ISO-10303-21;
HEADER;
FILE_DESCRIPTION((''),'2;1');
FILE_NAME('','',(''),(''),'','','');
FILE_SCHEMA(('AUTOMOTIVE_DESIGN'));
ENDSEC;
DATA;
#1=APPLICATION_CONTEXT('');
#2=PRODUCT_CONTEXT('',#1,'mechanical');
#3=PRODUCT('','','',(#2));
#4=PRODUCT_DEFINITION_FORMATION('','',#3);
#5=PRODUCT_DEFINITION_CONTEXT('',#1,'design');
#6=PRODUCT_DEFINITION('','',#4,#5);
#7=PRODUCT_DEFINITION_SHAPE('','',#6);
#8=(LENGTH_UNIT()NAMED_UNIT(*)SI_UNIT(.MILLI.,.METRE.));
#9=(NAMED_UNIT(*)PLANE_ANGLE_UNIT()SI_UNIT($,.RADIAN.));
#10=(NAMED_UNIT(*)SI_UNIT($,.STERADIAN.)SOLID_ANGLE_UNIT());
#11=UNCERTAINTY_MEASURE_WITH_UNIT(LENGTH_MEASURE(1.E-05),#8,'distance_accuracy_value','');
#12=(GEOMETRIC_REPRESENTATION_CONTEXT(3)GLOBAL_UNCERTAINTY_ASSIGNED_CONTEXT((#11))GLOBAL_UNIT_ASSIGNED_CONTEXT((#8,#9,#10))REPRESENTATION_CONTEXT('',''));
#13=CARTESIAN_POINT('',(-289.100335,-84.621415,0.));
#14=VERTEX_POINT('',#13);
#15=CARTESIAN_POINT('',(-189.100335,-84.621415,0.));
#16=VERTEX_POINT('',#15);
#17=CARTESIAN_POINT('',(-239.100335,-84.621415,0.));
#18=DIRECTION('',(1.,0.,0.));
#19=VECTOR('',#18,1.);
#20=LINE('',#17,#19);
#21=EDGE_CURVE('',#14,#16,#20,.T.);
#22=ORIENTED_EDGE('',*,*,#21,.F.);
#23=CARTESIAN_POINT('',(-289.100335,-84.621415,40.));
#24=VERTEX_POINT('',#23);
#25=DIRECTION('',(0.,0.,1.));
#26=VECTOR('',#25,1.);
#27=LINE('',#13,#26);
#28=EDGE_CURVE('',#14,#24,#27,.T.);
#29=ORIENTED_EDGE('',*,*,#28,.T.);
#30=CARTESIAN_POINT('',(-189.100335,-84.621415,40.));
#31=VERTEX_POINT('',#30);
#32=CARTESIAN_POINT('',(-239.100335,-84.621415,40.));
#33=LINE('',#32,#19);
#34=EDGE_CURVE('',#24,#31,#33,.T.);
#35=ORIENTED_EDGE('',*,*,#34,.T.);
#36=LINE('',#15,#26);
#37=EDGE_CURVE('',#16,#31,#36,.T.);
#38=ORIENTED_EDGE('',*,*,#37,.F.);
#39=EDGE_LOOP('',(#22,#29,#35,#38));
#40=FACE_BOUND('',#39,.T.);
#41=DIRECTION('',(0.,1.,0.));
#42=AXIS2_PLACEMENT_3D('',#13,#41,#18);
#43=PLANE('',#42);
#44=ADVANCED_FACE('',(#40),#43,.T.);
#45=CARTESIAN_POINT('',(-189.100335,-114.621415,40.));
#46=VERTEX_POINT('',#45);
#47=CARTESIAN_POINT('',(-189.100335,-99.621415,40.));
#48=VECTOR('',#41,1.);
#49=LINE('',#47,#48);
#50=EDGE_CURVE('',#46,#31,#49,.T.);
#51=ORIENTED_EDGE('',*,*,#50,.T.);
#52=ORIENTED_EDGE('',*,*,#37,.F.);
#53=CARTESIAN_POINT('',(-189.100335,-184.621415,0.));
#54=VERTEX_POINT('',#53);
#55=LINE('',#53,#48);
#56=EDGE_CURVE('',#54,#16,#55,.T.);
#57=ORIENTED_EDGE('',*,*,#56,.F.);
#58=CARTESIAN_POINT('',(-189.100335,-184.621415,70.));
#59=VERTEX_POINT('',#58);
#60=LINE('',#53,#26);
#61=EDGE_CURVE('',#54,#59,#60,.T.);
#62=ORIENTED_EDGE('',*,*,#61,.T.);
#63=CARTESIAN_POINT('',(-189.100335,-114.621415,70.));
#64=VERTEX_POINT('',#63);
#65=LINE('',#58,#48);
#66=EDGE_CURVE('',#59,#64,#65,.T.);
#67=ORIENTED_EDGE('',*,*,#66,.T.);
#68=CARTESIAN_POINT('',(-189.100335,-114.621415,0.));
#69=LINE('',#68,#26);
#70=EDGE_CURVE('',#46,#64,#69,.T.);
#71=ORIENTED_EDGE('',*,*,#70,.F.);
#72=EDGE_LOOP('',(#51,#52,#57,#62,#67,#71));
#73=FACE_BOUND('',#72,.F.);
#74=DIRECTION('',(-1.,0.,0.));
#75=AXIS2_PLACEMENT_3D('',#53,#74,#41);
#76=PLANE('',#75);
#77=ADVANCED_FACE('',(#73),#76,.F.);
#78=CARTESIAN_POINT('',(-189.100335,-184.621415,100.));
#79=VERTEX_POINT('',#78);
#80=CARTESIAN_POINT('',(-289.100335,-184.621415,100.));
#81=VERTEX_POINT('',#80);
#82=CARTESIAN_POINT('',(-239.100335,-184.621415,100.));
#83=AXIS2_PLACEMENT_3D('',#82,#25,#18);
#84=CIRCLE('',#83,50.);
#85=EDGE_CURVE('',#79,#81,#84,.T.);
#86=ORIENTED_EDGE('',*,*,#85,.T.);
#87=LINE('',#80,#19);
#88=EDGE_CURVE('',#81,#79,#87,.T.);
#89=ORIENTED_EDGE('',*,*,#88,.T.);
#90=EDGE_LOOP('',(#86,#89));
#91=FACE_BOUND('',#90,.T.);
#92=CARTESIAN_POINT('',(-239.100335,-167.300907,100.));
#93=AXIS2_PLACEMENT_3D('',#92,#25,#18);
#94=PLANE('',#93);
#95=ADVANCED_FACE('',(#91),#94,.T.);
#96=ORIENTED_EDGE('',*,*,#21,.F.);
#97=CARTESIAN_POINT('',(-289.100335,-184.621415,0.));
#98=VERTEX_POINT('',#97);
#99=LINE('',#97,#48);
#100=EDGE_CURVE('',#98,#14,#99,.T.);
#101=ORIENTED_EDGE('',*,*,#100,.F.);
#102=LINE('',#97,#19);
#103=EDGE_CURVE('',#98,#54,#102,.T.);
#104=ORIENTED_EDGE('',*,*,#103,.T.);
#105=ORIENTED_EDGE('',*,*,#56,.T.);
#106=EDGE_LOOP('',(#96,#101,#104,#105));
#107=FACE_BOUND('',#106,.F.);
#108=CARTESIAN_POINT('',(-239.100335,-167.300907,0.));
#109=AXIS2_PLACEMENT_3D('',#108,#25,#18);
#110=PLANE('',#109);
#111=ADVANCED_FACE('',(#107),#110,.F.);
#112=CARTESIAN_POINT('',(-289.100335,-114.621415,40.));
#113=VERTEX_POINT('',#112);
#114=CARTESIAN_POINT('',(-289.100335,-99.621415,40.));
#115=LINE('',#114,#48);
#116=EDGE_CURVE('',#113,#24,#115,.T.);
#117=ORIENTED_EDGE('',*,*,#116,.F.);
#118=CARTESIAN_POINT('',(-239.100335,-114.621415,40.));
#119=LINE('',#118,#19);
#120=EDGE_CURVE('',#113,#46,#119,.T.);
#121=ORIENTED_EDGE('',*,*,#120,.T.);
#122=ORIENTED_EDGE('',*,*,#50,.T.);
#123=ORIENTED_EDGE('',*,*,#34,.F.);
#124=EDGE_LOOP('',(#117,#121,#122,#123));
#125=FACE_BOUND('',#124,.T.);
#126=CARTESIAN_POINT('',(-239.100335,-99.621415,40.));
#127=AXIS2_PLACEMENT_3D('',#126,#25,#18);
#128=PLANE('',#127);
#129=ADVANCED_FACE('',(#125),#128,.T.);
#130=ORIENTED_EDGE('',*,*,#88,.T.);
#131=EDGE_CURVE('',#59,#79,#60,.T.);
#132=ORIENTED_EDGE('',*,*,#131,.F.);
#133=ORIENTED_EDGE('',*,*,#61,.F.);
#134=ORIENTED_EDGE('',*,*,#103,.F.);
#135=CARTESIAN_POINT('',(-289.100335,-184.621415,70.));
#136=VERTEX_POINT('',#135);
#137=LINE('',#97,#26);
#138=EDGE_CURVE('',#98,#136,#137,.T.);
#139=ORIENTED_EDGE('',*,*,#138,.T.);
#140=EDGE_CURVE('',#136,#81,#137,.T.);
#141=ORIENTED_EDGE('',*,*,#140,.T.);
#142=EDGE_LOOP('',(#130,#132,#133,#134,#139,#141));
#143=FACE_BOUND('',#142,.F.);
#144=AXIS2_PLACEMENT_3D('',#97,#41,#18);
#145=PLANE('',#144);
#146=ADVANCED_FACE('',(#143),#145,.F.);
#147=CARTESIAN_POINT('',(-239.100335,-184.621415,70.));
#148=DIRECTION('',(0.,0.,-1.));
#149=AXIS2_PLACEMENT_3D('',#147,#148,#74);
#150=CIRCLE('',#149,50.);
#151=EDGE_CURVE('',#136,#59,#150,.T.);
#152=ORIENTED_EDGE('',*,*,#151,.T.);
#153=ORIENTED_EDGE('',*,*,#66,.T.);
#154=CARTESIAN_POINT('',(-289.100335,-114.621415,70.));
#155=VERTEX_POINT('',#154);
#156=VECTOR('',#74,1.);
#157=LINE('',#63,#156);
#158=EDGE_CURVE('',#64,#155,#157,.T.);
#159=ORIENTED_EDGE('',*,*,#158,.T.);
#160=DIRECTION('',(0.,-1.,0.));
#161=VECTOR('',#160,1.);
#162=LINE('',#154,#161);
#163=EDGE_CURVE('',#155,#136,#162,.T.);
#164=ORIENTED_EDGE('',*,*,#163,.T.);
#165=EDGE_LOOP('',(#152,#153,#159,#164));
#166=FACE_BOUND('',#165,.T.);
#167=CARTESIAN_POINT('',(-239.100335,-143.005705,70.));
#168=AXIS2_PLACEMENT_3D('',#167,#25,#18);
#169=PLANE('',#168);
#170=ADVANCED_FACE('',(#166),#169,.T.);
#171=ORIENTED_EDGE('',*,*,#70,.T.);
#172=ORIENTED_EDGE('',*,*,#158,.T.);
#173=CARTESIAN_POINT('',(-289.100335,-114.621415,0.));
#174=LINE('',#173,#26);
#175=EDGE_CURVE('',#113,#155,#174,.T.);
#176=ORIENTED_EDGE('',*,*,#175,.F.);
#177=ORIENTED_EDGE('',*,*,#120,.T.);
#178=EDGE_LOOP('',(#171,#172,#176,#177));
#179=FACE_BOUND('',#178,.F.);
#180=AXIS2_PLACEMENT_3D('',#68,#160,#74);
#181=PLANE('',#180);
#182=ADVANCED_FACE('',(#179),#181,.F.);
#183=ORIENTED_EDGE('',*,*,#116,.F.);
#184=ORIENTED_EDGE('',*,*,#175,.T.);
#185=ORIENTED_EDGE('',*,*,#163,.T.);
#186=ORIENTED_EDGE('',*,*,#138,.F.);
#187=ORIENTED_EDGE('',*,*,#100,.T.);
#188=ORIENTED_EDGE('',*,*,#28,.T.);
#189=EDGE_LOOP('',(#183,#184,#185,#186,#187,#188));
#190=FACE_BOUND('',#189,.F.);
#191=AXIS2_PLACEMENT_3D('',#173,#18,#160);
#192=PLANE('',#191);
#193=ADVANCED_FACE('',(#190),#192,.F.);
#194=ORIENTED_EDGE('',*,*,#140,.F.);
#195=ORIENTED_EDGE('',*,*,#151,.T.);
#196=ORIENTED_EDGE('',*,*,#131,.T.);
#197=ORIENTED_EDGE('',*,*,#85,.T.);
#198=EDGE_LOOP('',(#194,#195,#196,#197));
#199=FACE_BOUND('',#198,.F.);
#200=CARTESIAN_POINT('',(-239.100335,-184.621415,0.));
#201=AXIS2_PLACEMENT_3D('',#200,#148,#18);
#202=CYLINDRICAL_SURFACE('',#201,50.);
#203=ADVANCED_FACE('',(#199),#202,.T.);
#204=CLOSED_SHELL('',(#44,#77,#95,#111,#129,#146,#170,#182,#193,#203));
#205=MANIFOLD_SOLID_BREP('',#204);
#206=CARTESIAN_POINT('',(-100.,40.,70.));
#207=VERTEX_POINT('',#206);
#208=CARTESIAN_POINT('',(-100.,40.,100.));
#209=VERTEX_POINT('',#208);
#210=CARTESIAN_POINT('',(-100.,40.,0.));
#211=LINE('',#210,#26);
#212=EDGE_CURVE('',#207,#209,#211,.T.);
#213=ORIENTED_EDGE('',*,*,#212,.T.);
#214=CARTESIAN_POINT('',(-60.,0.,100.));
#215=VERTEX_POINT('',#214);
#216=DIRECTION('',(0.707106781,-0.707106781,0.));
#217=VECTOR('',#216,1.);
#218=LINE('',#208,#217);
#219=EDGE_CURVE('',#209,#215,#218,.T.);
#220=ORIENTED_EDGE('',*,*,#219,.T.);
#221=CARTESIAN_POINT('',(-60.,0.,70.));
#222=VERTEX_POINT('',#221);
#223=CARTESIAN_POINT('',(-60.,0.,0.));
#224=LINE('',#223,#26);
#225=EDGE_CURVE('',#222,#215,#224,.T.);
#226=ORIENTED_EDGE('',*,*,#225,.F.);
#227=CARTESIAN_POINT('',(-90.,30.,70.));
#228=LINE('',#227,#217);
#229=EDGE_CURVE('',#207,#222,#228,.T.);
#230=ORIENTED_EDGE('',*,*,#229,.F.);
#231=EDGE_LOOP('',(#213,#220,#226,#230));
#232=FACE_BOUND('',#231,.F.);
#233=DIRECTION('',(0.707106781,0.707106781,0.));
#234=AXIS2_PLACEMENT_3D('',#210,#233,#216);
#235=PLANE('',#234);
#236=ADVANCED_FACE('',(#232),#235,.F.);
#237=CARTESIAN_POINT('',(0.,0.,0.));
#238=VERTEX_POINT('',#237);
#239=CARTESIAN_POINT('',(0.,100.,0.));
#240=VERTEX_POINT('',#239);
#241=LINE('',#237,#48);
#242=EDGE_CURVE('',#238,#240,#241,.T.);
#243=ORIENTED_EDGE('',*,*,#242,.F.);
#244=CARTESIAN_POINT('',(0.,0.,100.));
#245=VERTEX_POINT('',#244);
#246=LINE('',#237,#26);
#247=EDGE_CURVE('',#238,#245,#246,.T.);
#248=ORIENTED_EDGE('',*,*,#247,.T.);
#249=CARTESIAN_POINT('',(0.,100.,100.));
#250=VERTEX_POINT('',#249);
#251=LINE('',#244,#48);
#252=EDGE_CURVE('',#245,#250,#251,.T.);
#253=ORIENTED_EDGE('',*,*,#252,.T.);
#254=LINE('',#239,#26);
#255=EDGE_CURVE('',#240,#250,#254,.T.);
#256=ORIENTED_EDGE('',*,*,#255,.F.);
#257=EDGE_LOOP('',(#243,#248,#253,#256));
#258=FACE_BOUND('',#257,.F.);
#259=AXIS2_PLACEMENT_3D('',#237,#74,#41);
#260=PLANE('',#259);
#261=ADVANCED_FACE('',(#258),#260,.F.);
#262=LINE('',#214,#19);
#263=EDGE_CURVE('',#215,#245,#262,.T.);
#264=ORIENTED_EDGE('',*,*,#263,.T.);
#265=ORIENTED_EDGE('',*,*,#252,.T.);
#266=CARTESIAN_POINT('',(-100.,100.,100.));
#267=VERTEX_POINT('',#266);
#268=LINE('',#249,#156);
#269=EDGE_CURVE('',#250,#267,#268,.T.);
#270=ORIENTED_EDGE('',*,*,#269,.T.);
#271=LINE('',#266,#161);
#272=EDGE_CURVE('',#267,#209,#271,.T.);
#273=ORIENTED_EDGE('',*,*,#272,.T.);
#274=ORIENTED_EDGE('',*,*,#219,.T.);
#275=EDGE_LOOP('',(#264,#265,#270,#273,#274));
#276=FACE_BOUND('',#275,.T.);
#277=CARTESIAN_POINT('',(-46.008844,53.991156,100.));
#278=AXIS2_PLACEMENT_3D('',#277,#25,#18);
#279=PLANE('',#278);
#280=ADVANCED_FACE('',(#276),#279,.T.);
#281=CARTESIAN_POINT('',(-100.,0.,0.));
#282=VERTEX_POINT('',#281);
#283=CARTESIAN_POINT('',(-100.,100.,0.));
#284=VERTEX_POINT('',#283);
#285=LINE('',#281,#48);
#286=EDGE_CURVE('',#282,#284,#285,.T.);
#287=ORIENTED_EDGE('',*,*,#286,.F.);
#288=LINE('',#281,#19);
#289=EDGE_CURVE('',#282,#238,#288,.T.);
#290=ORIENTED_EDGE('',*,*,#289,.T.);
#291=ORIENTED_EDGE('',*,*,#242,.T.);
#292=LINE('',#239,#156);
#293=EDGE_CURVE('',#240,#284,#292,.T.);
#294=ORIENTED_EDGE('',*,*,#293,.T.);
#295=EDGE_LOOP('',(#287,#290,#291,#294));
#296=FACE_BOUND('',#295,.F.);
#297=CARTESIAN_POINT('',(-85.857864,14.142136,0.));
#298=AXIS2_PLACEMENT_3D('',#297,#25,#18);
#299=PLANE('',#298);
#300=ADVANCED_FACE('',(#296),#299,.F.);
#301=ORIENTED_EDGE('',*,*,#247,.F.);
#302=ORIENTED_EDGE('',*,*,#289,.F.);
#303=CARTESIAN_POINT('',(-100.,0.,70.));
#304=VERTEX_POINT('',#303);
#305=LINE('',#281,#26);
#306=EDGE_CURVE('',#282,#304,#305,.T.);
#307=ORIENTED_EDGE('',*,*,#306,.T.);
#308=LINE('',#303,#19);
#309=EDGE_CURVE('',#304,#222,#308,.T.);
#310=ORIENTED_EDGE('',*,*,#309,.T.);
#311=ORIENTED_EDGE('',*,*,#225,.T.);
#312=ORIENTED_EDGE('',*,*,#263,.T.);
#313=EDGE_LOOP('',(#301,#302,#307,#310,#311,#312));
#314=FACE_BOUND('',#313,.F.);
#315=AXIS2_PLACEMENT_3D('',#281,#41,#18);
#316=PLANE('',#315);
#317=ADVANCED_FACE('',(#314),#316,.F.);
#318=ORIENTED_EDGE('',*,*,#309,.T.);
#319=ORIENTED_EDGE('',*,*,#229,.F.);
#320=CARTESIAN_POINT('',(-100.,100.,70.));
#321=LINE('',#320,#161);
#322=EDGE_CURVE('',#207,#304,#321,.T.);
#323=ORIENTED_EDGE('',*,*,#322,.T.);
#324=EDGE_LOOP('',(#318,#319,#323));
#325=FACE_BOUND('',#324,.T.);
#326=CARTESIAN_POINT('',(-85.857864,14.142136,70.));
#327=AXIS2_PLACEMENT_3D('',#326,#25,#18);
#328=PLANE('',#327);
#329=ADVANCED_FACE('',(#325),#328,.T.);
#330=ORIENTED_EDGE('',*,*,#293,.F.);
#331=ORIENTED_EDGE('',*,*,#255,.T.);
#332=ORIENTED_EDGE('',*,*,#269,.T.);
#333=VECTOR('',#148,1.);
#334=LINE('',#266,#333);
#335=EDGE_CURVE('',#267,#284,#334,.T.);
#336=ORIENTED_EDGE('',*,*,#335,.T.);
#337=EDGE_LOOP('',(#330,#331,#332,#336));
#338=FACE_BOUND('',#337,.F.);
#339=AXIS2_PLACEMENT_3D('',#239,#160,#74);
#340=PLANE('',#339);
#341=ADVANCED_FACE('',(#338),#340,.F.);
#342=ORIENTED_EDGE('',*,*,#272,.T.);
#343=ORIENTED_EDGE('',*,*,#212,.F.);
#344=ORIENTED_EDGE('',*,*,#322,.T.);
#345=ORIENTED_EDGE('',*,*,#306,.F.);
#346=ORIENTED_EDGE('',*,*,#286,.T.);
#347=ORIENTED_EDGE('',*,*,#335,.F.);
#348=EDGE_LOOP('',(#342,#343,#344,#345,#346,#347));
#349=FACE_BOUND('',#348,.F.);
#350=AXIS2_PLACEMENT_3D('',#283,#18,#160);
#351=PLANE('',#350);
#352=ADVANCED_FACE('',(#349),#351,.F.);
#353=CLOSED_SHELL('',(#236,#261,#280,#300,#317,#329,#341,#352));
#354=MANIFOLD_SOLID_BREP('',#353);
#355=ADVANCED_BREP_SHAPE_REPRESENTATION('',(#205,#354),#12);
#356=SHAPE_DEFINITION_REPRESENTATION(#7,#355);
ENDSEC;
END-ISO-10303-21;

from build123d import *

# Parameters (mm, degrees)
F1_DEPTH = 100
F2_DEPTH = 70
F3_W     = 100
F3_H     = 30
F4_DEPTH = 40
F5_DEPTH = 70
F6_DEPTH = 100


with BuildPart() as f1:
    # F0 (on Top) → F1 (new body)
    with BuildSketch(Plane.XY):
        Polygon((-60, 0), (0, 0), (0, 100), (-100, 100), (-100, 40), align=None)
    extrude(amount=F1_DEPTH)

    # F0 (on Top) → F2 (join)
    with BuildSketch(Plane.XY):
        Polygon((-100, 0), (-60, 0), (-100, 40), align=None)
        Polygon((-60, 0), (0, 0), (0, 100), (-100, 100), (-100, 40), align=None)
    extrude(amount=F2_DEPTH)


with BuildPart() as f4:
    # F3 (on Top) → F4 (new body)
    with BuildSketch(Plane.XY):
        with Locations((-239.100334983, -99.6214152873)):
            Rectangle(F3_W, F3_H)
    extrude(amount=F4_DEPTH)

    # F3 (on Top) → F5 (join)
    with BuildSketch(Plane.XY):
        with BuildLine():
            Line((-189.100334983, -184.6214152873), (-189.100334983, -114.6214152873))
            Line((-189.100334983, -114.6214152873), (-289.100334983, -114.6214152873))
            Line((-289.100334983, -114.6214152873), (-289.100334983, -184.6214152873))
            ThreePointArc((-289.100334983, -184.6214152873), (-239.100334983, -134.6214152873), (-189.100334983, -184.6214152873))
        make_face()
    extrude(amount=F5_DEPTH)

    # F3 (on Top) → F6 (join)
    with BuildSketch(Plane.XY):
        with BuildLine():
            Line((-289.100334983, -184.6214152873), (-189.100334983, -184.6214152873))
            ThreePointArc((-189.100334983, -184.6214152873), (-239.100334983, -134.6214152873), (-289.100334983, -184.6214152873))
        make_face()
    extrude(amount=F6_DEPTH)


solid = Compound([f1.part, f4.part])
